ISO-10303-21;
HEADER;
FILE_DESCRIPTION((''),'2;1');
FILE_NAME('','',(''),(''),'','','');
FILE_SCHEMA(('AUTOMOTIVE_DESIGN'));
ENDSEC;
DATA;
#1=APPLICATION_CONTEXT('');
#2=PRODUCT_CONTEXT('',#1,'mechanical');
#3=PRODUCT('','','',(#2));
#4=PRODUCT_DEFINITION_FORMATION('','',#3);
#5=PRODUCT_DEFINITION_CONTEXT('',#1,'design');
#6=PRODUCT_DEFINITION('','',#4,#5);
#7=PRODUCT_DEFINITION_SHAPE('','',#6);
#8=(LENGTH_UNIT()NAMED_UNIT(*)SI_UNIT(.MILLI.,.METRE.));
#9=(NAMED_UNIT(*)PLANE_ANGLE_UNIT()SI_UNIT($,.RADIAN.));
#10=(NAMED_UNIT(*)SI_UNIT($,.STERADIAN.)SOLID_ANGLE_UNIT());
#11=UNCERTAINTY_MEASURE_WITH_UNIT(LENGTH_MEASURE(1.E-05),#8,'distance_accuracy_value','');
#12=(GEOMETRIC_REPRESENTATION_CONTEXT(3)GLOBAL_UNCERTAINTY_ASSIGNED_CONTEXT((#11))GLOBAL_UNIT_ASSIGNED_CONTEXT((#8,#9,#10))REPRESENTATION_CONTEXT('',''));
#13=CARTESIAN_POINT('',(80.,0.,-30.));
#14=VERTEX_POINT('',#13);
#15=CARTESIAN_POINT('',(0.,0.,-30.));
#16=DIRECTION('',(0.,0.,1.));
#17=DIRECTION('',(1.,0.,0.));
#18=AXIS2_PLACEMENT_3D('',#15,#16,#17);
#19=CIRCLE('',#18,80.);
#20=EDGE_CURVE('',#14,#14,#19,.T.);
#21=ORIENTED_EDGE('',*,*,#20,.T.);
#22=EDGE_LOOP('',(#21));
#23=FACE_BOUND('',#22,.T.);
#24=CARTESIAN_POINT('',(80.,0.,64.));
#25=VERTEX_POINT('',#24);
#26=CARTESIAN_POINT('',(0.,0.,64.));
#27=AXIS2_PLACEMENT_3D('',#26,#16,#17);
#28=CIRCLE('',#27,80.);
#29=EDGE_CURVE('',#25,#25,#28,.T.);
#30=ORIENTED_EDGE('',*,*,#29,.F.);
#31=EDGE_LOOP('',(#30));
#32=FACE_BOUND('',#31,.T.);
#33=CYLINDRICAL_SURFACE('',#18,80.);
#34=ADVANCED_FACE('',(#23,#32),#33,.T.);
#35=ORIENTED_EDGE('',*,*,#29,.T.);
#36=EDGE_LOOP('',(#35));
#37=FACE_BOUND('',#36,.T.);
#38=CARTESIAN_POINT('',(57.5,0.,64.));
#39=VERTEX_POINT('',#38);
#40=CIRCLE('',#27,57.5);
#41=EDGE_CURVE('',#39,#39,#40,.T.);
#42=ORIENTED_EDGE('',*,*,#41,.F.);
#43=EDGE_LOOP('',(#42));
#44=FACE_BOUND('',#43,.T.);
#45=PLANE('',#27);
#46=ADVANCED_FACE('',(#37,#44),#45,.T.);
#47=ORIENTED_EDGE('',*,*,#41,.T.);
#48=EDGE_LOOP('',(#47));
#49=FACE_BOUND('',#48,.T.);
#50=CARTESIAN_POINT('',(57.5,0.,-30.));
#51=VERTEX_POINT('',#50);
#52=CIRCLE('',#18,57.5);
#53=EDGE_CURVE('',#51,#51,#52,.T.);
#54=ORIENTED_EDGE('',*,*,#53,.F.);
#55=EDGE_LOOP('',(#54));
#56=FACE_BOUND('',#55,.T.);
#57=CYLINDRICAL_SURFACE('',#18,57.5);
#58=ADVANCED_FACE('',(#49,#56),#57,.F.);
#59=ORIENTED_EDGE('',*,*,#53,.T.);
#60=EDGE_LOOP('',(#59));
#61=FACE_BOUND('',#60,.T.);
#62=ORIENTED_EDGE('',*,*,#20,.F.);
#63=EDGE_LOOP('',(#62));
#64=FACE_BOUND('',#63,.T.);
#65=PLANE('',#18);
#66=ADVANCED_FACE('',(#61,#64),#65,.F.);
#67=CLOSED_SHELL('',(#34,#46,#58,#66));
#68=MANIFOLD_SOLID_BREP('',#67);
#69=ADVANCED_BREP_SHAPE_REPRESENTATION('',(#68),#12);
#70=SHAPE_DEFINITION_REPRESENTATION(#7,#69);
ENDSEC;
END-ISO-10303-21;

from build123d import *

# Parameters (mm, degrees)
BOSS_EXTRUDE1_DEPTH      = 64
BOSS_EXTRUDE1_DEPTH_BACK = 30
SKETCH2_R                = 80
SKETCH2_R_2              = 57.5


with BuildPart() as part:
    # Sketch2 → Boss-Extrude1 (new, two sides: drawn at the far end of the back side and taken through both)
    with BuildSketch(Plane.XY.offset(-BOSS_EXTRUDE1_DEPTH_BACK)):
        Circle(SKETCH2_R)
        Circle(SKETCH2_R_2, mode=Mode.SUBTRACT)
    extrude(amount=BOSS_EXTRUDE1_DEPTH + BOSS_EXTRUDE1_DEPTH_BACK)


solid = part.part
